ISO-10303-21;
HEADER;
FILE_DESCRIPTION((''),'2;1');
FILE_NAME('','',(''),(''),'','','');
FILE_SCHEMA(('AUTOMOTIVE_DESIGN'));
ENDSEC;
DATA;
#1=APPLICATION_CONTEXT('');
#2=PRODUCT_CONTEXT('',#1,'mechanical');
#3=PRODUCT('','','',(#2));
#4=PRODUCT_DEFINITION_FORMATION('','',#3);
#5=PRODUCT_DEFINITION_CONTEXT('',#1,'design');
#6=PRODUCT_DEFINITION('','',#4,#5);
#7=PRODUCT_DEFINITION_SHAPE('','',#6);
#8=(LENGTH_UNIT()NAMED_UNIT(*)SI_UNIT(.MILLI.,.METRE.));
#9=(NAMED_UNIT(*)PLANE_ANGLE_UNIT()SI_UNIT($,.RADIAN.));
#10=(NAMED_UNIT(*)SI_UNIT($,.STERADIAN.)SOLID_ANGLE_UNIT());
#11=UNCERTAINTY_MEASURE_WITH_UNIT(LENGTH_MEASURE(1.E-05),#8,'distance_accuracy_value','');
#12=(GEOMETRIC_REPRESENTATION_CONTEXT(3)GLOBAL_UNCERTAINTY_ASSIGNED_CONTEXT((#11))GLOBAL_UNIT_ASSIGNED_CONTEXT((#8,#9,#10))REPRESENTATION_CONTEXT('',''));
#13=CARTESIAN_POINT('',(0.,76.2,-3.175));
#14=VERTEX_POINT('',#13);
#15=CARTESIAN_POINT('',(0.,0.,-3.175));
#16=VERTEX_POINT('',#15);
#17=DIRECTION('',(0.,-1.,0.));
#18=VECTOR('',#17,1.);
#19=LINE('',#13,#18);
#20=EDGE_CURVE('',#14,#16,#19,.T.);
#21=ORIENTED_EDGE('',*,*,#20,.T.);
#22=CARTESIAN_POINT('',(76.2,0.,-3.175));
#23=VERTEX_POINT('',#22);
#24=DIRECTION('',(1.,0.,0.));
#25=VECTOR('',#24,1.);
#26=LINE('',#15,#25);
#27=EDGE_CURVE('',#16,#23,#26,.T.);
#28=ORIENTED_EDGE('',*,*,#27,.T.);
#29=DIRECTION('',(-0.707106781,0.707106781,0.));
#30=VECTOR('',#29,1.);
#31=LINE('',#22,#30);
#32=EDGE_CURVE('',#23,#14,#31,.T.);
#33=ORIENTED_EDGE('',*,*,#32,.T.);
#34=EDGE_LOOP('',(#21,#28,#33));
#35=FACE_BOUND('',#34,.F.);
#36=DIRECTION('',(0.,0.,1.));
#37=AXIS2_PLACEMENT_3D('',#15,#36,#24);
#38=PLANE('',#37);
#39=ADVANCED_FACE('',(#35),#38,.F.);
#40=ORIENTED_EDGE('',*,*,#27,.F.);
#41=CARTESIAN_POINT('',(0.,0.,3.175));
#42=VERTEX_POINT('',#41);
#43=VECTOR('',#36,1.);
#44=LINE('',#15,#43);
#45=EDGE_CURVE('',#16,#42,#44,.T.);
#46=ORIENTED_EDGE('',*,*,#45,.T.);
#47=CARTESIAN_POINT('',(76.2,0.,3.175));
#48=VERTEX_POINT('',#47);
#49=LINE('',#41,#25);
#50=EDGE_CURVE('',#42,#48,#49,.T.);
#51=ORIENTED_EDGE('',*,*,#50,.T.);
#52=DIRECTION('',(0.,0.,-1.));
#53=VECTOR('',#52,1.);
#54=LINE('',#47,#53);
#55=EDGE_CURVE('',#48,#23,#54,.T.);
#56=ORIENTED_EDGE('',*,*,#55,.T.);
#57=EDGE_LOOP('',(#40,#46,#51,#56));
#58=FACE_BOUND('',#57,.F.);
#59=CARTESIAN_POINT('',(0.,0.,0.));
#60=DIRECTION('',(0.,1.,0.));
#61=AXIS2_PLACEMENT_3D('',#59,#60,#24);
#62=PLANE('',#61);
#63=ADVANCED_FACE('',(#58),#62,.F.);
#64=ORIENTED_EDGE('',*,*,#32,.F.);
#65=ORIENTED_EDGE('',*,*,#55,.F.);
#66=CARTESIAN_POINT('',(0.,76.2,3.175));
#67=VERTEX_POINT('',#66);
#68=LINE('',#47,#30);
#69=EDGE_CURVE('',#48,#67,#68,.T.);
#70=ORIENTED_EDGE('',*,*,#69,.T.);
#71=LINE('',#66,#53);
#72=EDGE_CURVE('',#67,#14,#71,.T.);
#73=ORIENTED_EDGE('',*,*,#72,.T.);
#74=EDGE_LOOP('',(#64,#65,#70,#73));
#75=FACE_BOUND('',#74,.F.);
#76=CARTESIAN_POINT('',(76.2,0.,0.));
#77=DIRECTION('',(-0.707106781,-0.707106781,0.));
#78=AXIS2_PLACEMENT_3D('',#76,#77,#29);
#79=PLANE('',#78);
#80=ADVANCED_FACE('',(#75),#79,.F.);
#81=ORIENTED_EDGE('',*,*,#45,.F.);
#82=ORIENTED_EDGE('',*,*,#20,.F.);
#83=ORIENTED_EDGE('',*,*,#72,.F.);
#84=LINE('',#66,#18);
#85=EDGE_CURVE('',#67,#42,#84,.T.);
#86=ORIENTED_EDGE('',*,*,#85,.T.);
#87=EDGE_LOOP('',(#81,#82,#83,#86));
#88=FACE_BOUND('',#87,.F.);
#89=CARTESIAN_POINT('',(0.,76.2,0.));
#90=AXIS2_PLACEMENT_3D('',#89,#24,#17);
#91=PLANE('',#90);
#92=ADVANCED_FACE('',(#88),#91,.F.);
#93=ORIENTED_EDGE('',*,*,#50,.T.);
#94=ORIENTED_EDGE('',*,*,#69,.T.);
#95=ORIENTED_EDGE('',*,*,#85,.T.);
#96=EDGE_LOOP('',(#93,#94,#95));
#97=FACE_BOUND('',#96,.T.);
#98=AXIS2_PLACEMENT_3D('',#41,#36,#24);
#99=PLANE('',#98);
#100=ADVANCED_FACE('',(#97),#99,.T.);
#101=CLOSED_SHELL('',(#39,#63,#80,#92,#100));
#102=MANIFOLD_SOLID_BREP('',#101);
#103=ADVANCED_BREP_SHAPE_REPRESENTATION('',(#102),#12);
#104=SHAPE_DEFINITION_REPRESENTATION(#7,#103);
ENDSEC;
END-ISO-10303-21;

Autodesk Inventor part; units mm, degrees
ref_plane "YZ Plane" through (0, 0, 0) normal (1, 0, 0) x (0, 1, 0)
ref_plane "XZ Plane" through (0, 0, 0) normal (0, 1, 0) x (-1, 0, 0)
ref_plane "XY Plane" through (0, 0, 0) normal (0, 0, 1) x (1, 0, 0)
sketch "Sketch1" plane through (0, 0, 0) normal (0, 0, 1) x (1, 0, 0)
  line L0 (0, 0) -> (76.2, 0)
  line L1 (76.2, 0) -> (0, 76.2)
  line L2 (0, 76.2) -> (0, 0)
  dimension "d0" = 76.2
  dimension "d1" = 45
extrude "Extrusion1" add sketch "Sketch1" along normal mid plane 6.35
properties part number "CE-5.1.1-10" material "Steel, Mild"
